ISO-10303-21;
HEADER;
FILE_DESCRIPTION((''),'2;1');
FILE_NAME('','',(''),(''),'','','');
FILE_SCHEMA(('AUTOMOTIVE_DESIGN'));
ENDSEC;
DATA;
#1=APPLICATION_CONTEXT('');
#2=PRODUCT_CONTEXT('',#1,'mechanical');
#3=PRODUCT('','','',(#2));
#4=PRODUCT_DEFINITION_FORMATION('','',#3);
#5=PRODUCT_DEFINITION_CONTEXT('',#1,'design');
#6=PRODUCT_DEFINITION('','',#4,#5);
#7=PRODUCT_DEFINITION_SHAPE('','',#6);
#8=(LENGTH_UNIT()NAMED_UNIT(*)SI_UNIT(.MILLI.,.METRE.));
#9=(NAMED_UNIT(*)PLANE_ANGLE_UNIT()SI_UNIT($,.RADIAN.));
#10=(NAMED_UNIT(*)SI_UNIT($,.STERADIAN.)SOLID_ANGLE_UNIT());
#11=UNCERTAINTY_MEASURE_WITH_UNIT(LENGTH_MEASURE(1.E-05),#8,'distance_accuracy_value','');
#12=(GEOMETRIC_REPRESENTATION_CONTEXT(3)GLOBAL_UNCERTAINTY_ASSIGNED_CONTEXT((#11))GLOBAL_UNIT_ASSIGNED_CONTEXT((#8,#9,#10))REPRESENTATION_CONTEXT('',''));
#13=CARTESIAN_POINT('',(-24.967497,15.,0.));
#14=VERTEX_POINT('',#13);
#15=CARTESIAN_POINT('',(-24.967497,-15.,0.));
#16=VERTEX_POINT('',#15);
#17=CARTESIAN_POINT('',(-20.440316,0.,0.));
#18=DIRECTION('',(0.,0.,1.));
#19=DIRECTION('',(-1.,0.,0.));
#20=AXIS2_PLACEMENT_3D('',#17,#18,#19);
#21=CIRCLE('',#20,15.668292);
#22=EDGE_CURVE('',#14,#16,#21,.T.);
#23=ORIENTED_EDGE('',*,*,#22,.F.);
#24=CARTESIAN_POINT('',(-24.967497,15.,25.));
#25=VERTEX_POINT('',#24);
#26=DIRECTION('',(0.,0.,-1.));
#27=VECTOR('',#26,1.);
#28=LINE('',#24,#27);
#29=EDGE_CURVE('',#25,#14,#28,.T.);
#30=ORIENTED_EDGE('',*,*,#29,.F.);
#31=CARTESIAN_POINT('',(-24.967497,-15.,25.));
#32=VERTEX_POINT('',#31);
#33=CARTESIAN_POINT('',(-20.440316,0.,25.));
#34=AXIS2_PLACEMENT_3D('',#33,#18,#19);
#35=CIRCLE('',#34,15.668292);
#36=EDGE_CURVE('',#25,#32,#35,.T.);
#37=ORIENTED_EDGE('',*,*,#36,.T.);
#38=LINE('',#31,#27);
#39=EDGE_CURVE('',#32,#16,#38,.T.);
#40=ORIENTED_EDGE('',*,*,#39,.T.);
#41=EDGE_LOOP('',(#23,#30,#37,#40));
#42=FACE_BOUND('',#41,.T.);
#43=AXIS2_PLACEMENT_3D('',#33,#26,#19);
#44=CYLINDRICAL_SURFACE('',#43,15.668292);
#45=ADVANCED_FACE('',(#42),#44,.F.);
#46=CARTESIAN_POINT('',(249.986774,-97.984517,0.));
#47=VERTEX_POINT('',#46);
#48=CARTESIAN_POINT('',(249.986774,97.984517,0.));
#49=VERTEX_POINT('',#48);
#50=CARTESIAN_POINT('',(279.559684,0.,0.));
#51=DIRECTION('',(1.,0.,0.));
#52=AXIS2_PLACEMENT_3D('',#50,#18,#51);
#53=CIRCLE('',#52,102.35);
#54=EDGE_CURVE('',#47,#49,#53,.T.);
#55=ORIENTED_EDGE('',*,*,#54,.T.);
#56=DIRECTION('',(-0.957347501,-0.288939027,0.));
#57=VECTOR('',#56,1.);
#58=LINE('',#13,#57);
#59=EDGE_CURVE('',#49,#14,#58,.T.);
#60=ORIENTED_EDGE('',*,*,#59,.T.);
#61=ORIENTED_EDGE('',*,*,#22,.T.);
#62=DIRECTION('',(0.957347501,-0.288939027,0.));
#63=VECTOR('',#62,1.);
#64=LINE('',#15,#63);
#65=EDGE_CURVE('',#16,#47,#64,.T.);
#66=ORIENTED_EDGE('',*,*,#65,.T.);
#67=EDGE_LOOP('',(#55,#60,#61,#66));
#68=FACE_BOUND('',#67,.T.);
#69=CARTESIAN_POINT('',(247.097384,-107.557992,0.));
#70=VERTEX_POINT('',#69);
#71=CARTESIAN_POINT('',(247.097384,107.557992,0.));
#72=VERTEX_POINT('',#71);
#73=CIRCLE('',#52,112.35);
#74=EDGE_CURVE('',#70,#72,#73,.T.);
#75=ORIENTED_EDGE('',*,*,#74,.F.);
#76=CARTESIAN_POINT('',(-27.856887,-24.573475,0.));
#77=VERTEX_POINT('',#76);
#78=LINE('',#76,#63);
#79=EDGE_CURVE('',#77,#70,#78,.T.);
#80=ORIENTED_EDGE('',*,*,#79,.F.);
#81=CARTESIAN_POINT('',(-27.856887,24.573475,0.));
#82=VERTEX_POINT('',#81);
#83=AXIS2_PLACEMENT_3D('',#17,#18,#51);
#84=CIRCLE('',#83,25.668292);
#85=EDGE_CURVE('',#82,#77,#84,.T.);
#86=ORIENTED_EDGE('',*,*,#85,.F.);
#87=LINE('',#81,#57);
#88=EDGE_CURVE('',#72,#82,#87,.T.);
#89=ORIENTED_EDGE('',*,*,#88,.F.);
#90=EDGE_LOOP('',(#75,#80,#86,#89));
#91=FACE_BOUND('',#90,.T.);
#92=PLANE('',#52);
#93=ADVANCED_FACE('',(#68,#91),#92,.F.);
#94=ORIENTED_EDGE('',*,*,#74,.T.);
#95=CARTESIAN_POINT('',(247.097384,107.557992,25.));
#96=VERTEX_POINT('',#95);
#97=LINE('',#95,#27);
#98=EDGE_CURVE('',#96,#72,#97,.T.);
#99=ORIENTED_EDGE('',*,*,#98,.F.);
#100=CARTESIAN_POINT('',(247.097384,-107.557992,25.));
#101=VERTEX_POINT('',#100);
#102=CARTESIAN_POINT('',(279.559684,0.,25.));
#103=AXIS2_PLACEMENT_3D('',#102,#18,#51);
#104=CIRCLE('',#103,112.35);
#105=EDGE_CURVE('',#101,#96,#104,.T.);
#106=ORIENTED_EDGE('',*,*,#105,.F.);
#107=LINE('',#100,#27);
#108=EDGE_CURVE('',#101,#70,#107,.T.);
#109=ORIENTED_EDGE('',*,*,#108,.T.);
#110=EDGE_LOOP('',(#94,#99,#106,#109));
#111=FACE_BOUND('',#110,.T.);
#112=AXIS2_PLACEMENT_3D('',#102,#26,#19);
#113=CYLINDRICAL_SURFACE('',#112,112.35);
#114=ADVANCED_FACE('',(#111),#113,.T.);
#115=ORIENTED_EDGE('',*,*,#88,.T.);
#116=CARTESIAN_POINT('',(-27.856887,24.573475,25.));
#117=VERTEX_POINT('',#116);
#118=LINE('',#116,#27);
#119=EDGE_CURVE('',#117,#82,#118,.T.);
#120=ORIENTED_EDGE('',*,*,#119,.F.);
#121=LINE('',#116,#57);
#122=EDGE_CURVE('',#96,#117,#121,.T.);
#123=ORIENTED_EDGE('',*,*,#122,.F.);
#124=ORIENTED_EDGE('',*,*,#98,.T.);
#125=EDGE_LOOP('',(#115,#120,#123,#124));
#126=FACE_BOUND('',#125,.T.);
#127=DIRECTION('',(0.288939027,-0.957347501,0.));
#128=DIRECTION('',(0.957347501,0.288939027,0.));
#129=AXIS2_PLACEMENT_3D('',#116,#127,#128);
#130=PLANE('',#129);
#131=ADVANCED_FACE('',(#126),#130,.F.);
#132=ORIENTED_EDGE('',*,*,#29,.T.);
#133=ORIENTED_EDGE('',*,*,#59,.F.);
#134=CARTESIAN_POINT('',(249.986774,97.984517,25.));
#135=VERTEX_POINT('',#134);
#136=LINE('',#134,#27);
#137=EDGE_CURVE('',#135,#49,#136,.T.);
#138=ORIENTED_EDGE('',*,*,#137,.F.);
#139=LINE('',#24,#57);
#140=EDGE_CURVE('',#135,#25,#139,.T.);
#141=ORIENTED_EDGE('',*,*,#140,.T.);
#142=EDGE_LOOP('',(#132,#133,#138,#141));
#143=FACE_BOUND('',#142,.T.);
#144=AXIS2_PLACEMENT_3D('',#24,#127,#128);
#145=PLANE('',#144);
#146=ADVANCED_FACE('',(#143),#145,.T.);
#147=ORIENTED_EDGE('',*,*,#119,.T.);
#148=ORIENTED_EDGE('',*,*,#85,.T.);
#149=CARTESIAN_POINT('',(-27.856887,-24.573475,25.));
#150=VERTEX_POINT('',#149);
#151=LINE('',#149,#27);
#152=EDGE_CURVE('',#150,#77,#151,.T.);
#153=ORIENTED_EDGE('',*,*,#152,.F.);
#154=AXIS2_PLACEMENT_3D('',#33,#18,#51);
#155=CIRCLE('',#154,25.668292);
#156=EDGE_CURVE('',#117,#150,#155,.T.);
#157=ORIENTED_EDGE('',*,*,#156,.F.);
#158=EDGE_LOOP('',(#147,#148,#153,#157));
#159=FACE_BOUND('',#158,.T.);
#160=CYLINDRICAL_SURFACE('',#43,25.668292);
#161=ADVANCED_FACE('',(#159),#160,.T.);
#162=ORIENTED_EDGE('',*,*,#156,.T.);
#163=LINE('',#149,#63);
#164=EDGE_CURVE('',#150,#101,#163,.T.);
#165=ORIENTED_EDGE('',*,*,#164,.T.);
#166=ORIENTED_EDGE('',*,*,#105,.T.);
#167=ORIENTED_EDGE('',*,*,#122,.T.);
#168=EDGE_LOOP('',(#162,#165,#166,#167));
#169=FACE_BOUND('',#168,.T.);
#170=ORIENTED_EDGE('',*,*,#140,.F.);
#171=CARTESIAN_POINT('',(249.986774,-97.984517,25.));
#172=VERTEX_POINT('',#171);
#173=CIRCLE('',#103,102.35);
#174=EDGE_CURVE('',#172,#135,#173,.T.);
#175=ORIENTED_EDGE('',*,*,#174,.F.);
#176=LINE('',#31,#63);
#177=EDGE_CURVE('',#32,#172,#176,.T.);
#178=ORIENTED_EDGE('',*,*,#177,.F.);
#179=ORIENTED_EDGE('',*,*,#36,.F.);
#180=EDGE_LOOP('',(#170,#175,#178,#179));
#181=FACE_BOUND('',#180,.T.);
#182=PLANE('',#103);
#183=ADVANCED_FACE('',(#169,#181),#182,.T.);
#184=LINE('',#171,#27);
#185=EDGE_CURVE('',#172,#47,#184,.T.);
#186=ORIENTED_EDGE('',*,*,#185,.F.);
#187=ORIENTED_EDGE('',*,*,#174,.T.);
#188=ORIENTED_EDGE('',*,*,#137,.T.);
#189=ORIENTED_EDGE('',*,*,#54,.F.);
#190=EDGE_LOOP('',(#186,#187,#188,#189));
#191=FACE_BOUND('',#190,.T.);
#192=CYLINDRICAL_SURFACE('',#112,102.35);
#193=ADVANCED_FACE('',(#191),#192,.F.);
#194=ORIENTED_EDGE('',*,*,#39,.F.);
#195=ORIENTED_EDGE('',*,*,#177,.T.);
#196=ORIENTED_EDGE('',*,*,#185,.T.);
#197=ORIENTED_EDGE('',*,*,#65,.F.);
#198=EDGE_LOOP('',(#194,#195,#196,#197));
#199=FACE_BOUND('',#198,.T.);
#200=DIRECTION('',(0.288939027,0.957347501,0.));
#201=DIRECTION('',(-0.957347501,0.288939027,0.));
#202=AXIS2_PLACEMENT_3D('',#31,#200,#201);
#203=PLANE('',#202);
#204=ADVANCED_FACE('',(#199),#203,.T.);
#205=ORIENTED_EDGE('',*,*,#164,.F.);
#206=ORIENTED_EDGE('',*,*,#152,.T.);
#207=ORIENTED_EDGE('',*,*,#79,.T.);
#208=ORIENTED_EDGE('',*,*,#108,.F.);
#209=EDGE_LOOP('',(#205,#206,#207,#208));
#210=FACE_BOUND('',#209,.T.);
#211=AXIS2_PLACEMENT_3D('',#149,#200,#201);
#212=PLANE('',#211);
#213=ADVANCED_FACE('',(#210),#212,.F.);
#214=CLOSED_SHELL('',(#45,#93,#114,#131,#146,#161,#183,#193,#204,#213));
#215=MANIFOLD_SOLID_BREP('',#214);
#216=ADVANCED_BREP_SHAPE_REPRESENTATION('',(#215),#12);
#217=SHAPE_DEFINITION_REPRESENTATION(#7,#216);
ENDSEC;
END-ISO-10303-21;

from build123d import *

# Parameters (mm, degrees)
EXTRUDE_THIN3_DEPTH = 25


with BuildPart() as part:
    # Sketch2 → Extrude-Thin3 (new body)
    with BuildSketch(Plane.XY):
        with BuildLine():
            Line((-27.856887447, 24.573475014), (247.097384094, 107.557991784))
            ThreePointArc((247.097384094, 107.557991784), (391.909683817, 0), (247.097384094, -107.557991784))
            Line((247.097384094, -107.557991784), (-27.856887447, -24.573475014))
            ThreePointArc((-27.856887447, -24.573475014), (-46.108607976, 0), (-27.856887447, 24.573475014))
        make_face()
        with BuildLine():
            Line((-24.967497174, 15), (249.986774367, 97.98451677))
            ThreePointArc((249.986774367, 97.98451677), (381.909683817, 0), (249.986774367, -97.98451677))
            Line((249.986774367, -97.98451677), (-24.967497174, -15))
            ThreePointArc((-24.967497174, -15), (-36.108607976, 0), (-24.967497174, 15))
        make_face(mode=Mode.SUBTRACT)
    extrude(amount=EXTRUDE_THIN3_DEPTH)


solid = part.part
